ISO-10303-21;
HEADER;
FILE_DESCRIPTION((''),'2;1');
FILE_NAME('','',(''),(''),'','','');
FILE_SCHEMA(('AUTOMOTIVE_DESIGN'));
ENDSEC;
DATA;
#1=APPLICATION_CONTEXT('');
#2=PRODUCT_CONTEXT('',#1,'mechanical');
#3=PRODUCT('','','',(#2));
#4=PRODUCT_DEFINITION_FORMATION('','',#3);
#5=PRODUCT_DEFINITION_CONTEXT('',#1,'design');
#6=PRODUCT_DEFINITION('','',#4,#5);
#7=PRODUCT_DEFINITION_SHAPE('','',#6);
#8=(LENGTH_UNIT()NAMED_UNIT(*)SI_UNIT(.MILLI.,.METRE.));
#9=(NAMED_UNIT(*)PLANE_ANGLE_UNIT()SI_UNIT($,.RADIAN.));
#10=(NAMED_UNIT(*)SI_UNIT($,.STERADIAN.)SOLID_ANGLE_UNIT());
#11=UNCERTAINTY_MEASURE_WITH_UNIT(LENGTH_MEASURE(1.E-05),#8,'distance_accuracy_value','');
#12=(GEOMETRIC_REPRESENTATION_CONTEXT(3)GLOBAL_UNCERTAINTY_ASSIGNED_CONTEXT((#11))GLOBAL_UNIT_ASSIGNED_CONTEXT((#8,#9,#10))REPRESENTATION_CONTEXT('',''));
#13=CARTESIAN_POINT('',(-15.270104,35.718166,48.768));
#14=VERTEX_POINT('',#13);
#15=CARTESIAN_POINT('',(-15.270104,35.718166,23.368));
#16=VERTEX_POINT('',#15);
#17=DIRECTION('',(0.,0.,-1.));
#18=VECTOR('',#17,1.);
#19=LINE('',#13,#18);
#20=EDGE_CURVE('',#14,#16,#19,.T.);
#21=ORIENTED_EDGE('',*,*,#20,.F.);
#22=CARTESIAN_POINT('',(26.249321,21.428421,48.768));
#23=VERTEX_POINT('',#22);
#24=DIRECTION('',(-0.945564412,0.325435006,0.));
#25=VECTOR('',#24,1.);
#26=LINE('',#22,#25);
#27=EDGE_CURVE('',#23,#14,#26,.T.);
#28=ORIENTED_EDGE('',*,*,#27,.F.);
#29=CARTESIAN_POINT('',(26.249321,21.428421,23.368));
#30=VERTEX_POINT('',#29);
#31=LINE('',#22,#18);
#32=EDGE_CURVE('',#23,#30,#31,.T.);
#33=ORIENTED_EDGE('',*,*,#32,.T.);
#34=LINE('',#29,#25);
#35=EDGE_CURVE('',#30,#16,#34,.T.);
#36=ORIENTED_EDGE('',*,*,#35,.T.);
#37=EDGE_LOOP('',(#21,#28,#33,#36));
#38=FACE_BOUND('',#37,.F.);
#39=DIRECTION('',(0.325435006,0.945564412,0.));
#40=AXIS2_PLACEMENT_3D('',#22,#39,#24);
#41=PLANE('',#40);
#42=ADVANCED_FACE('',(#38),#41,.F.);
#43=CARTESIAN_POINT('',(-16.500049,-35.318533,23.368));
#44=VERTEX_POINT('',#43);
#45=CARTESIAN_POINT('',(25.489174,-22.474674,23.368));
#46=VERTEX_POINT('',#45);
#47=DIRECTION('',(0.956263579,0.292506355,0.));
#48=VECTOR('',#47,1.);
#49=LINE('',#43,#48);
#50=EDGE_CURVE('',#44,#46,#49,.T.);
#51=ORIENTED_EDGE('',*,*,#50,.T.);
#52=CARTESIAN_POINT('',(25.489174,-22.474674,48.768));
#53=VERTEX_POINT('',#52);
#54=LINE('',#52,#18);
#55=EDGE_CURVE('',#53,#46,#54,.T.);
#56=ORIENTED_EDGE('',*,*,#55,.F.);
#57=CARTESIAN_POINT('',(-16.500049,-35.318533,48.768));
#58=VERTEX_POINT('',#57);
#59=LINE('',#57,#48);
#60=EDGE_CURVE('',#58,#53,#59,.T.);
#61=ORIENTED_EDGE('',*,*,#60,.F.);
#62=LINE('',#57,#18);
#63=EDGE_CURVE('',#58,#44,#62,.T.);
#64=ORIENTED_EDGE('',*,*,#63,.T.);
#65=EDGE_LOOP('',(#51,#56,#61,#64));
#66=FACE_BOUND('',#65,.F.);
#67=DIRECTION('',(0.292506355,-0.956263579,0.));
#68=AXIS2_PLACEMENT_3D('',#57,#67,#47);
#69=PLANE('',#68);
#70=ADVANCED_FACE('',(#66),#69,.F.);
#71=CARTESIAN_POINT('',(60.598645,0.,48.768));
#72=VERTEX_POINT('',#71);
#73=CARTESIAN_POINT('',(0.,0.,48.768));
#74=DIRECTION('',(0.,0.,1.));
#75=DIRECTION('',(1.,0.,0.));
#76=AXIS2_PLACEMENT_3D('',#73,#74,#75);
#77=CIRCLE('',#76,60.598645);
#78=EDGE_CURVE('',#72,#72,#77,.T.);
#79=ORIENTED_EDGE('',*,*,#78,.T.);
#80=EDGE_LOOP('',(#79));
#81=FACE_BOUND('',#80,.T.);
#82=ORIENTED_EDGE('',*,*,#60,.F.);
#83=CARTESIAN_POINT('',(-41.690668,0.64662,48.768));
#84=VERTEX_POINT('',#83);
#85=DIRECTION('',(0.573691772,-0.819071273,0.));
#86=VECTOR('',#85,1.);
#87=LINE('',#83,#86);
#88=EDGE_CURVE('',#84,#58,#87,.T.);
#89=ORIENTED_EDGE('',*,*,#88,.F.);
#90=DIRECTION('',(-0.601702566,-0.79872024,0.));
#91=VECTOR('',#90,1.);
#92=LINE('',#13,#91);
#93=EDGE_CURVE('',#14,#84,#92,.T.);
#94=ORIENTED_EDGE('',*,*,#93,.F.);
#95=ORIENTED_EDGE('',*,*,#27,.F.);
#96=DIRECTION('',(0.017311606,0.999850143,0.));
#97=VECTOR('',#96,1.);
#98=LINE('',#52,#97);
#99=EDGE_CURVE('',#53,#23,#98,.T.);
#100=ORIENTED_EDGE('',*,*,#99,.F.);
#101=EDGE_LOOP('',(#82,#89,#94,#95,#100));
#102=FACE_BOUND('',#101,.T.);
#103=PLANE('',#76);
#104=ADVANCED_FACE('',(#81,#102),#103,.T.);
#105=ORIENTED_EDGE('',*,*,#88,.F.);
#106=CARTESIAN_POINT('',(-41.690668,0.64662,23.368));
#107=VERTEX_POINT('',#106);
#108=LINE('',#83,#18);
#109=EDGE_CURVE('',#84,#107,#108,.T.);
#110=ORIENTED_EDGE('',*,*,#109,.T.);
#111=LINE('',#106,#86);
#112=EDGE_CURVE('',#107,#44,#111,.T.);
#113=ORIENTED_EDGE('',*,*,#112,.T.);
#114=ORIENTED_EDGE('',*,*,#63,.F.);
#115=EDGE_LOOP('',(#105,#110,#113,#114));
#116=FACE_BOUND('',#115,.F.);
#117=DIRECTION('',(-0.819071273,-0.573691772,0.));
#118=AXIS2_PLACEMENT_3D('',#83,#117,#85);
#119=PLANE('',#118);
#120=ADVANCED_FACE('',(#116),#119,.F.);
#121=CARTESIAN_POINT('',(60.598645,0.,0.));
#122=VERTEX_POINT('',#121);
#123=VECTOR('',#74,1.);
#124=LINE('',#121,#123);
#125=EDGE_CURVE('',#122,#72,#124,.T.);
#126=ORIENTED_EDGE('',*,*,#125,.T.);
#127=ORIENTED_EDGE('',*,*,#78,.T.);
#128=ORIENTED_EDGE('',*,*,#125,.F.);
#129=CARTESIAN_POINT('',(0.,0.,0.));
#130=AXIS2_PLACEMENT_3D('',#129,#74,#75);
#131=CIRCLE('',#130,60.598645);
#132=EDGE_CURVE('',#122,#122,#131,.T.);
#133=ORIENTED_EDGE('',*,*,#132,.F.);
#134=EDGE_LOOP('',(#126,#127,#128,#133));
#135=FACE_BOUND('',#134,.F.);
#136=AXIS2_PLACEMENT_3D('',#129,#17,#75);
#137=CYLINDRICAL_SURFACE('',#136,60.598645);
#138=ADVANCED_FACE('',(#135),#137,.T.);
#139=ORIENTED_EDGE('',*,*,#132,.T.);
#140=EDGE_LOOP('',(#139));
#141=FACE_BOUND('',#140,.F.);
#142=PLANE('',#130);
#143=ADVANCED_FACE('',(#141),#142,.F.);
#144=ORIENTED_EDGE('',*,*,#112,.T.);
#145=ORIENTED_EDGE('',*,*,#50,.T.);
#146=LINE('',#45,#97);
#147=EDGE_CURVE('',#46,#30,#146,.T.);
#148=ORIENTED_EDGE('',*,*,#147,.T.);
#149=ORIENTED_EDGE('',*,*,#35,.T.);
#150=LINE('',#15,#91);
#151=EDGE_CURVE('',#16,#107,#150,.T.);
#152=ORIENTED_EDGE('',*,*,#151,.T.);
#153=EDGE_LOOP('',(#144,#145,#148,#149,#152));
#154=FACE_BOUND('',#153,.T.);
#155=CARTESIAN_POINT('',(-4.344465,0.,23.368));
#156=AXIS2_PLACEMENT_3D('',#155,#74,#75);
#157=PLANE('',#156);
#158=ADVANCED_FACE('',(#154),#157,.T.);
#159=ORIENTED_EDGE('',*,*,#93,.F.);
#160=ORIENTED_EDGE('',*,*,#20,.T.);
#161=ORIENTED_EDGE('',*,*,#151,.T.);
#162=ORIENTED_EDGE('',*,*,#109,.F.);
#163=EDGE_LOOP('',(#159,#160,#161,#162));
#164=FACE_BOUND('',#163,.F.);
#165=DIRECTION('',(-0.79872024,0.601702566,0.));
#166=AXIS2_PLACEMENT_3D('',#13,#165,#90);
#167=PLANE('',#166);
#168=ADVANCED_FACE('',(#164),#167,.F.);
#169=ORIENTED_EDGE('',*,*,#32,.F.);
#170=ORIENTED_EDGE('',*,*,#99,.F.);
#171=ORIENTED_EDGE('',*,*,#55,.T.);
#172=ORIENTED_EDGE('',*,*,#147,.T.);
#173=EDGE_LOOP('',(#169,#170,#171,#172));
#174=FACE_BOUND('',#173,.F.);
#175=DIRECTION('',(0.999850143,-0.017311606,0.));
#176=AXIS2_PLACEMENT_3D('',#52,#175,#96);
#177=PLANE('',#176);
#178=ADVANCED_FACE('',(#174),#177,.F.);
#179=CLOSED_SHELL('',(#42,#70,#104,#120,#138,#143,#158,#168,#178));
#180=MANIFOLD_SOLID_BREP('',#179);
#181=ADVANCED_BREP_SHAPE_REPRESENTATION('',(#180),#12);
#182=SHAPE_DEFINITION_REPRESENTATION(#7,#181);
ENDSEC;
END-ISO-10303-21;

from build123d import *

# Parameters (mm, degrees)
F0_R     = 60.598645
F1_DEPTH = 48.768
F3_DEPTH = 25.4


with BuildPart() as f1:
    # F0 (on Top) → F1 (new body)
    with BuildSketch(Plane.XY):
        Circle(F0_R)
    extrude(amount=F1_DEPTH)

    # F2 (on face) → F3 (cut)
    with BuildSketch(Plane.XY.offset(48.768)):
        Polygon((-15.270104, 35.718166), (-41.690668, 0.64662), (-16.500049, -35.318533), (25.489174, -22.474674), (26.249321, 21.428421), align=None)
    extrude(amount=-F3_DEPTH, mode=Mode.SUBTRACT)


solid = f1.part
